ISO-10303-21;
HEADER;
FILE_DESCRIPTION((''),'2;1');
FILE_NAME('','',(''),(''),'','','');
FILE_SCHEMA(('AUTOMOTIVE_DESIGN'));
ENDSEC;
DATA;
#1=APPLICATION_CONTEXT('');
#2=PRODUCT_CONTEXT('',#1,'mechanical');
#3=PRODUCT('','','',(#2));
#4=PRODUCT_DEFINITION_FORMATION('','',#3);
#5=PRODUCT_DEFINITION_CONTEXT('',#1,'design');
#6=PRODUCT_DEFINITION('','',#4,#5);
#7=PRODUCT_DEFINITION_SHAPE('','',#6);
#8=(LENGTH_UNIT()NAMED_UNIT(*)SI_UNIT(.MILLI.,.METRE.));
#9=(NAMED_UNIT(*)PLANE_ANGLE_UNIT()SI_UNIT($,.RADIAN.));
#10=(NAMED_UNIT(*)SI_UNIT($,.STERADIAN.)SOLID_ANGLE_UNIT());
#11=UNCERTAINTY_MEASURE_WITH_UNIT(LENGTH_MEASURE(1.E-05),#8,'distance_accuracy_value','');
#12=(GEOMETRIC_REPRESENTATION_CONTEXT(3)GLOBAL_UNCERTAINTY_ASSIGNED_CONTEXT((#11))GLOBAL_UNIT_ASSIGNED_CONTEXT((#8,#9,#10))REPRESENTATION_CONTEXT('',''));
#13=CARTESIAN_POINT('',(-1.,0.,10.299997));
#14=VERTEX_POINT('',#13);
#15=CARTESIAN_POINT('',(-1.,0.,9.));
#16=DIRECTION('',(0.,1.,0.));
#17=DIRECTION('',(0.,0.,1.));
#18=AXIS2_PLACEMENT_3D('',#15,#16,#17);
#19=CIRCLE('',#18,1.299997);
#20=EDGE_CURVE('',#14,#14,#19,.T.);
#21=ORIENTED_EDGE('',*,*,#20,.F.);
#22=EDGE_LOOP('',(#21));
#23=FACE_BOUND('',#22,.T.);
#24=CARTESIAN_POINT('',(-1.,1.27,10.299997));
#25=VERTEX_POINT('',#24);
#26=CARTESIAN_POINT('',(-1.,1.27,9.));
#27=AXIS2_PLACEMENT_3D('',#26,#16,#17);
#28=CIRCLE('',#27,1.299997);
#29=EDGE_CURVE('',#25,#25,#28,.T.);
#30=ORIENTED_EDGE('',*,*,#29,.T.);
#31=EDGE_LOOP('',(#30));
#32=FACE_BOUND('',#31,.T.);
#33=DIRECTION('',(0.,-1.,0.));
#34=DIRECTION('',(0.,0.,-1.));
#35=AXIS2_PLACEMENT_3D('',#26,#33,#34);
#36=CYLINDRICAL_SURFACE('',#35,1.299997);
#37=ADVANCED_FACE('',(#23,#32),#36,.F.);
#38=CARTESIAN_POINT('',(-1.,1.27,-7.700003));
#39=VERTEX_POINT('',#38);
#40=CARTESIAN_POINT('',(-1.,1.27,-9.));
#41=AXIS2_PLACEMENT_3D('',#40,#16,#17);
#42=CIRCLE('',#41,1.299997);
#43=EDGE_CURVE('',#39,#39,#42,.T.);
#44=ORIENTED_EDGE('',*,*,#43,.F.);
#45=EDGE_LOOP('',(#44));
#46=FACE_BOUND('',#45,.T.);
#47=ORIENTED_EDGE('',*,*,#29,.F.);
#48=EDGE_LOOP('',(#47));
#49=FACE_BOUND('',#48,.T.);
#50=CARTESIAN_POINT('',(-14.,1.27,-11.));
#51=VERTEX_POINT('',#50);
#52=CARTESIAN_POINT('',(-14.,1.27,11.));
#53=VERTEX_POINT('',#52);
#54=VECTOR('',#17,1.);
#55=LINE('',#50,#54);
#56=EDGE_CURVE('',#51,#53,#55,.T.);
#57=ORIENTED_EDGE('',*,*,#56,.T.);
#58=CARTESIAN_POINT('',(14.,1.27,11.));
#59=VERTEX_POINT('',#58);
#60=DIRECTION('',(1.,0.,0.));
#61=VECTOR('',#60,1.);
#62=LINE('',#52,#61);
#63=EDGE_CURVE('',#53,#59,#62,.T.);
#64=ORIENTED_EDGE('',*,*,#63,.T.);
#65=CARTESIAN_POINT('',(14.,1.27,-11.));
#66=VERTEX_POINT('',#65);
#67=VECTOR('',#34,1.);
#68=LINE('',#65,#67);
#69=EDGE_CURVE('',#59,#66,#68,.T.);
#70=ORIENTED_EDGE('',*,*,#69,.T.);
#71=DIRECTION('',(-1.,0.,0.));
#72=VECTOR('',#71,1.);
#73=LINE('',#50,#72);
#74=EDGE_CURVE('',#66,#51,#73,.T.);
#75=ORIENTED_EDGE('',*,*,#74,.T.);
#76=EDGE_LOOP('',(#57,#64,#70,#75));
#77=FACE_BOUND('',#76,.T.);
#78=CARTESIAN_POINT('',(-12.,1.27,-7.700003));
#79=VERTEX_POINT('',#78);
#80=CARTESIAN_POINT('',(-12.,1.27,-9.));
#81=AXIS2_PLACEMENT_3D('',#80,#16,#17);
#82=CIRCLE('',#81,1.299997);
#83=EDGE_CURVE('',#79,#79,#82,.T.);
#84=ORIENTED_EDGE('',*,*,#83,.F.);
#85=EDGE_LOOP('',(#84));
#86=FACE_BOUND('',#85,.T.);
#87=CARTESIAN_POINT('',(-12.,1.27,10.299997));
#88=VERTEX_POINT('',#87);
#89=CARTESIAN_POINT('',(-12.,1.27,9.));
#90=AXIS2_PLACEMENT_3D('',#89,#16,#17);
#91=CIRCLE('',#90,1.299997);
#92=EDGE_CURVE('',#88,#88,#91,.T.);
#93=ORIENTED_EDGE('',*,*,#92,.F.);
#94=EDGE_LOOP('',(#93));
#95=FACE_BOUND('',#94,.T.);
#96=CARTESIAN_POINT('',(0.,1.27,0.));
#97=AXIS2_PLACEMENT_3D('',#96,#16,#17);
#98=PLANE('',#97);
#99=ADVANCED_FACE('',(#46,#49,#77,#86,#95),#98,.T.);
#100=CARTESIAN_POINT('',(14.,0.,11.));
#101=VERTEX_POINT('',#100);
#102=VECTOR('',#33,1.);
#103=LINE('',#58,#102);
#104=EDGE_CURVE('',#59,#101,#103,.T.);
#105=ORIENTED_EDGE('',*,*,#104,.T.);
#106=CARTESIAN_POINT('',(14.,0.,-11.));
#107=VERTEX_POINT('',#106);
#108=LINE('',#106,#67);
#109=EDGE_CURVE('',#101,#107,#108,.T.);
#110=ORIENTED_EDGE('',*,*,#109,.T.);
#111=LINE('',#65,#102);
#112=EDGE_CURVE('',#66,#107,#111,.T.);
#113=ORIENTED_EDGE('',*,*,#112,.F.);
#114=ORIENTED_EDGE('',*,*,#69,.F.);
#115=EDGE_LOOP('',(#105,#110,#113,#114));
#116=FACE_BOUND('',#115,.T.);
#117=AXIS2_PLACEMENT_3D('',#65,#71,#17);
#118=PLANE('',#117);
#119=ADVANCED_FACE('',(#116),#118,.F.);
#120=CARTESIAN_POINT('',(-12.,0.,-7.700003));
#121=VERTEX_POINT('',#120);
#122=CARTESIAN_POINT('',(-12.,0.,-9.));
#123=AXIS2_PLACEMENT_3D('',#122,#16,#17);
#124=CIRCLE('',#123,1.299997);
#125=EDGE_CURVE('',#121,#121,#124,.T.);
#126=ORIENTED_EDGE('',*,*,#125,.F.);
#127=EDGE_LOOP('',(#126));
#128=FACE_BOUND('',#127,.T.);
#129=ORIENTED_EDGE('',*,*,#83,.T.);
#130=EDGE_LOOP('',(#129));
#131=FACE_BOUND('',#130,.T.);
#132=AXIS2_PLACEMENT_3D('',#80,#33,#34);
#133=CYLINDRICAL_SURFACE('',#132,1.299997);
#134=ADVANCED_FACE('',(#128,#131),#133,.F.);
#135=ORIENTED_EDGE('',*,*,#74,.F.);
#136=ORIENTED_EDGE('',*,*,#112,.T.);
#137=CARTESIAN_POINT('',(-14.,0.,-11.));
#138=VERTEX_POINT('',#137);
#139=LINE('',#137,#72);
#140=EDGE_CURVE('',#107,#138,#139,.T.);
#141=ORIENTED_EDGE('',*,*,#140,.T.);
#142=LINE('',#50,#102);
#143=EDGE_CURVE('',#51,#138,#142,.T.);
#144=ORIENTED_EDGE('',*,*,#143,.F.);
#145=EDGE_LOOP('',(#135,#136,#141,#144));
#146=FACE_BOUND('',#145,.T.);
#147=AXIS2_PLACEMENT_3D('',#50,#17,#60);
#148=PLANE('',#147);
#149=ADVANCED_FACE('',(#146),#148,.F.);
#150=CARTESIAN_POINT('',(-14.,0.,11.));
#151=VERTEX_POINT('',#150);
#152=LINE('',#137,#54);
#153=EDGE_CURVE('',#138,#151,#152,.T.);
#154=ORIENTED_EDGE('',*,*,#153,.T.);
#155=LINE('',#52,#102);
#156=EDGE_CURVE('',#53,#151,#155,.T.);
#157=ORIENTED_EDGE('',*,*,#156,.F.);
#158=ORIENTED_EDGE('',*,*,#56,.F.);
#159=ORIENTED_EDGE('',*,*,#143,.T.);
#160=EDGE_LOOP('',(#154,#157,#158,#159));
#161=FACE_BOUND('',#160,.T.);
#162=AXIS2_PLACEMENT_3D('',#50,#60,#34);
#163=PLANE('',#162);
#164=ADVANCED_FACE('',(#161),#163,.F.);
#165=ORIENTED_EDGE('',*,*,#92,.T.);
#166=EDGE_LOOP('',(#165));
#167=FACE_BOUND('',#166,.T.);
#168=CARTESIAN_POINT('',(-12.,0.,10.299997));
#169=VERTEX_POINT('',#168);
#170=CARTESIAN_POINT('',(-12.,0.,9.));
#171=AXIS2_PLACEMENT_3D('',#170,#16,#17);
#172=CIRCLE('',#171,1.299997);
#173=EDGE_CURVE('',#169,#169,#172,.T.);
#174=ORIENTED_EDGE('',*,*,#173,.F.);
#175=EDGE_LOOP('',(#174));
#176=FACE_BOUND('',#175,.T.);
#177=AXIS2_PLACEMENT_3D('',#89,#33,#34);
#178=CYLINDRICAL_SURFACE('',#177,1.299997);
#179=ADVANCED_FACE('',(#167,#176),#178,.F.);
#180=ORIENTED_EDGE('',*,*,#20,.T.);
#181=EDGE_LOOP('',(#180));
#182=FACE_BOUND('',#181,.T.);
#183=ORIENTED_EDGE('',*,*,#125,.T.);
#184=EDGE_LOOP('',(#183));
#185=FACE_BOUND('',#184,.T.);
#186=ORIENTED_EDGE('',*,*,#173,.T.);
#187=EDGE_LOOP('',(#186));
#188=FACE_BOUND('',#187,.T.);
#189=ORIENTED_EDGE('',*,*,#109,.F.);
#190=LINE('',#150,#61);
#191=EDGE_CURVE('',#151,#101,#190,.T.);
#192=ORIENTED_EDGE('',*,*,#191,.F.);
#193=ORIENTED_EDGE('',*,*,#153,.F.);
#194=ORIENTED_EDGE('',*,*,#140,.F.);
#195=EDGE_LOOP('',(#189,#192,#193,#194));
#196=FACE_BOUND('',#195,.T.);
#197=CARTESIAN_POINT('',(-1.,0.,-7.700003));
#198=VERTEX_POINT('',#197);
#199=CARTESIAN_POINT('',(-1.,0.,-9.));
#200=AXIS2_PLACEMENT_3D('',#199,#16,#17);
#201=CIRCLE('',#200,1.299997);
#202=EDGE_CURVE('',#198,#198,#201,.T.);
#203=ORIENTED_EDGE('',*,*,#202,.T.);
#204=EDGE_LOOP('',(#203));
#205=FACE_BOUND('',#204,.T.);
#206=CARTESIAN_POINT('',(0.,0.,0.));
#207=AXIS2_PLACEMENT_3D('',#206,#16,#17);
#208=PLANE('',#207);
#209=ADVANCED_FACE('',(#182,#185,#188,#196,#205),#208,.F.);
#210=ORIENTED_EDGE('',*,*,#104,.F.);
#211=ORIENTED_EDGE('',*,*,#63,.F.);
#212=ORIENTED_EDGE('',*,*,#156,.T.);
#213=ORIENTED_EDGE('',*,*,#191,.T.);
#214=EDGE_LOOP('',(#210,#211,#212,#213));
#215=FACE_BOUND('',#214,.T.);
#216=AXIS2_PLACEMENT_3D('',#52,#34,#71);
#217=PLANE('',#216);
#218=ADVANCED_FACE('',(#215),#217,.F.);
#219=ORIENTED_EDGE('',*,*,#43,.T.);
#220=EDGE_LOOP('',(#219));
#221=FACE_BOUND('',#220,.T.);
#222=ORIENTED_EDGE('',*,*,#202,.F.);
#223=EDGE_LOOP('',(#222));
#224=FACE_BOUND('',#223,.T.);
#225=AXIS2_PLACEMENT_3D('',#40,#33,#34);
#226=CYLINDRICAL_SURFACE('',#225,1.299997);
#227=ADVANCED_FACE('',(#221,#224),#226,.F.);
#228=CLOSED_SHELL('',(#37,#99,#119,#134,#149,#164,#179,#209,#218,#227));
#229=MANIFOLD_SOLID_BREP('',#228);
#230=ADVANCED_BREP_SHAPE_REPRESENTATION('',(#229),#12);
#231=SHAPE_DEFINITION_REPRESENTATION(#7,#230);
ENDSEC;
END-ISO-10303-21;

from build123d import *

# Parameters (mm, degrees)
SKETCH1_W            = 28
SKETCH1_H            = 22
BOSS_EXTRUDE1_DEPTH  = 1.27
SKETCH2_R            = 1.2999974
CUT_EXTRUDE2_DEPTH   = 2.27
LPATTERN1_COUNT      = 2
LPATTERN1_PITCH      = 11
LPATTERN1_COUNT_DIR2 = 2
LPATTERN1_PITCH_DIR2 = 18


with BuildPart() as part:
    # Sketch1 → Boss-Extrude1 (new body)
    with BuildSketch(Plane(origin=(0, 0, 0), x_dir=(1, 0, 0), z_dir=(0, 1, 0))):
        Rectangle(SKETCH1_W, SKETCH1_H)
    extrude(amount=BOSS_EXTRUDE1_DEPTH)

    # Sketch2 → Cut-Extrude2 (cut, through all)
    with BuildSketch(Plane(origin=(0, 0, 0), x_dir=(1, 0, 0), z_dir=(0, 1, 0))):
        with Locations((-12, 9)):
            Circle(SKETCH2_R)
    cut_extrude2 = extrude(amount=CUT_EXTRUDE2_DEPTH, mode=Mode.SUBTRACT)

    # LPattern1: Cut-Extrude2 2 × 2
    with Locations(*[(i * LPATTERN1_PITCH, 0, j * LPATTERN1_PITCH_DIR2) for i in range(LPATTERN1_COUNT) for j in range(LPATTERN1_COUNT_DIR2) if (i, j) != (0, 0)]):
        add(cut_extrude2, mode=Mode.SUBTRACT)


solid = part.part
